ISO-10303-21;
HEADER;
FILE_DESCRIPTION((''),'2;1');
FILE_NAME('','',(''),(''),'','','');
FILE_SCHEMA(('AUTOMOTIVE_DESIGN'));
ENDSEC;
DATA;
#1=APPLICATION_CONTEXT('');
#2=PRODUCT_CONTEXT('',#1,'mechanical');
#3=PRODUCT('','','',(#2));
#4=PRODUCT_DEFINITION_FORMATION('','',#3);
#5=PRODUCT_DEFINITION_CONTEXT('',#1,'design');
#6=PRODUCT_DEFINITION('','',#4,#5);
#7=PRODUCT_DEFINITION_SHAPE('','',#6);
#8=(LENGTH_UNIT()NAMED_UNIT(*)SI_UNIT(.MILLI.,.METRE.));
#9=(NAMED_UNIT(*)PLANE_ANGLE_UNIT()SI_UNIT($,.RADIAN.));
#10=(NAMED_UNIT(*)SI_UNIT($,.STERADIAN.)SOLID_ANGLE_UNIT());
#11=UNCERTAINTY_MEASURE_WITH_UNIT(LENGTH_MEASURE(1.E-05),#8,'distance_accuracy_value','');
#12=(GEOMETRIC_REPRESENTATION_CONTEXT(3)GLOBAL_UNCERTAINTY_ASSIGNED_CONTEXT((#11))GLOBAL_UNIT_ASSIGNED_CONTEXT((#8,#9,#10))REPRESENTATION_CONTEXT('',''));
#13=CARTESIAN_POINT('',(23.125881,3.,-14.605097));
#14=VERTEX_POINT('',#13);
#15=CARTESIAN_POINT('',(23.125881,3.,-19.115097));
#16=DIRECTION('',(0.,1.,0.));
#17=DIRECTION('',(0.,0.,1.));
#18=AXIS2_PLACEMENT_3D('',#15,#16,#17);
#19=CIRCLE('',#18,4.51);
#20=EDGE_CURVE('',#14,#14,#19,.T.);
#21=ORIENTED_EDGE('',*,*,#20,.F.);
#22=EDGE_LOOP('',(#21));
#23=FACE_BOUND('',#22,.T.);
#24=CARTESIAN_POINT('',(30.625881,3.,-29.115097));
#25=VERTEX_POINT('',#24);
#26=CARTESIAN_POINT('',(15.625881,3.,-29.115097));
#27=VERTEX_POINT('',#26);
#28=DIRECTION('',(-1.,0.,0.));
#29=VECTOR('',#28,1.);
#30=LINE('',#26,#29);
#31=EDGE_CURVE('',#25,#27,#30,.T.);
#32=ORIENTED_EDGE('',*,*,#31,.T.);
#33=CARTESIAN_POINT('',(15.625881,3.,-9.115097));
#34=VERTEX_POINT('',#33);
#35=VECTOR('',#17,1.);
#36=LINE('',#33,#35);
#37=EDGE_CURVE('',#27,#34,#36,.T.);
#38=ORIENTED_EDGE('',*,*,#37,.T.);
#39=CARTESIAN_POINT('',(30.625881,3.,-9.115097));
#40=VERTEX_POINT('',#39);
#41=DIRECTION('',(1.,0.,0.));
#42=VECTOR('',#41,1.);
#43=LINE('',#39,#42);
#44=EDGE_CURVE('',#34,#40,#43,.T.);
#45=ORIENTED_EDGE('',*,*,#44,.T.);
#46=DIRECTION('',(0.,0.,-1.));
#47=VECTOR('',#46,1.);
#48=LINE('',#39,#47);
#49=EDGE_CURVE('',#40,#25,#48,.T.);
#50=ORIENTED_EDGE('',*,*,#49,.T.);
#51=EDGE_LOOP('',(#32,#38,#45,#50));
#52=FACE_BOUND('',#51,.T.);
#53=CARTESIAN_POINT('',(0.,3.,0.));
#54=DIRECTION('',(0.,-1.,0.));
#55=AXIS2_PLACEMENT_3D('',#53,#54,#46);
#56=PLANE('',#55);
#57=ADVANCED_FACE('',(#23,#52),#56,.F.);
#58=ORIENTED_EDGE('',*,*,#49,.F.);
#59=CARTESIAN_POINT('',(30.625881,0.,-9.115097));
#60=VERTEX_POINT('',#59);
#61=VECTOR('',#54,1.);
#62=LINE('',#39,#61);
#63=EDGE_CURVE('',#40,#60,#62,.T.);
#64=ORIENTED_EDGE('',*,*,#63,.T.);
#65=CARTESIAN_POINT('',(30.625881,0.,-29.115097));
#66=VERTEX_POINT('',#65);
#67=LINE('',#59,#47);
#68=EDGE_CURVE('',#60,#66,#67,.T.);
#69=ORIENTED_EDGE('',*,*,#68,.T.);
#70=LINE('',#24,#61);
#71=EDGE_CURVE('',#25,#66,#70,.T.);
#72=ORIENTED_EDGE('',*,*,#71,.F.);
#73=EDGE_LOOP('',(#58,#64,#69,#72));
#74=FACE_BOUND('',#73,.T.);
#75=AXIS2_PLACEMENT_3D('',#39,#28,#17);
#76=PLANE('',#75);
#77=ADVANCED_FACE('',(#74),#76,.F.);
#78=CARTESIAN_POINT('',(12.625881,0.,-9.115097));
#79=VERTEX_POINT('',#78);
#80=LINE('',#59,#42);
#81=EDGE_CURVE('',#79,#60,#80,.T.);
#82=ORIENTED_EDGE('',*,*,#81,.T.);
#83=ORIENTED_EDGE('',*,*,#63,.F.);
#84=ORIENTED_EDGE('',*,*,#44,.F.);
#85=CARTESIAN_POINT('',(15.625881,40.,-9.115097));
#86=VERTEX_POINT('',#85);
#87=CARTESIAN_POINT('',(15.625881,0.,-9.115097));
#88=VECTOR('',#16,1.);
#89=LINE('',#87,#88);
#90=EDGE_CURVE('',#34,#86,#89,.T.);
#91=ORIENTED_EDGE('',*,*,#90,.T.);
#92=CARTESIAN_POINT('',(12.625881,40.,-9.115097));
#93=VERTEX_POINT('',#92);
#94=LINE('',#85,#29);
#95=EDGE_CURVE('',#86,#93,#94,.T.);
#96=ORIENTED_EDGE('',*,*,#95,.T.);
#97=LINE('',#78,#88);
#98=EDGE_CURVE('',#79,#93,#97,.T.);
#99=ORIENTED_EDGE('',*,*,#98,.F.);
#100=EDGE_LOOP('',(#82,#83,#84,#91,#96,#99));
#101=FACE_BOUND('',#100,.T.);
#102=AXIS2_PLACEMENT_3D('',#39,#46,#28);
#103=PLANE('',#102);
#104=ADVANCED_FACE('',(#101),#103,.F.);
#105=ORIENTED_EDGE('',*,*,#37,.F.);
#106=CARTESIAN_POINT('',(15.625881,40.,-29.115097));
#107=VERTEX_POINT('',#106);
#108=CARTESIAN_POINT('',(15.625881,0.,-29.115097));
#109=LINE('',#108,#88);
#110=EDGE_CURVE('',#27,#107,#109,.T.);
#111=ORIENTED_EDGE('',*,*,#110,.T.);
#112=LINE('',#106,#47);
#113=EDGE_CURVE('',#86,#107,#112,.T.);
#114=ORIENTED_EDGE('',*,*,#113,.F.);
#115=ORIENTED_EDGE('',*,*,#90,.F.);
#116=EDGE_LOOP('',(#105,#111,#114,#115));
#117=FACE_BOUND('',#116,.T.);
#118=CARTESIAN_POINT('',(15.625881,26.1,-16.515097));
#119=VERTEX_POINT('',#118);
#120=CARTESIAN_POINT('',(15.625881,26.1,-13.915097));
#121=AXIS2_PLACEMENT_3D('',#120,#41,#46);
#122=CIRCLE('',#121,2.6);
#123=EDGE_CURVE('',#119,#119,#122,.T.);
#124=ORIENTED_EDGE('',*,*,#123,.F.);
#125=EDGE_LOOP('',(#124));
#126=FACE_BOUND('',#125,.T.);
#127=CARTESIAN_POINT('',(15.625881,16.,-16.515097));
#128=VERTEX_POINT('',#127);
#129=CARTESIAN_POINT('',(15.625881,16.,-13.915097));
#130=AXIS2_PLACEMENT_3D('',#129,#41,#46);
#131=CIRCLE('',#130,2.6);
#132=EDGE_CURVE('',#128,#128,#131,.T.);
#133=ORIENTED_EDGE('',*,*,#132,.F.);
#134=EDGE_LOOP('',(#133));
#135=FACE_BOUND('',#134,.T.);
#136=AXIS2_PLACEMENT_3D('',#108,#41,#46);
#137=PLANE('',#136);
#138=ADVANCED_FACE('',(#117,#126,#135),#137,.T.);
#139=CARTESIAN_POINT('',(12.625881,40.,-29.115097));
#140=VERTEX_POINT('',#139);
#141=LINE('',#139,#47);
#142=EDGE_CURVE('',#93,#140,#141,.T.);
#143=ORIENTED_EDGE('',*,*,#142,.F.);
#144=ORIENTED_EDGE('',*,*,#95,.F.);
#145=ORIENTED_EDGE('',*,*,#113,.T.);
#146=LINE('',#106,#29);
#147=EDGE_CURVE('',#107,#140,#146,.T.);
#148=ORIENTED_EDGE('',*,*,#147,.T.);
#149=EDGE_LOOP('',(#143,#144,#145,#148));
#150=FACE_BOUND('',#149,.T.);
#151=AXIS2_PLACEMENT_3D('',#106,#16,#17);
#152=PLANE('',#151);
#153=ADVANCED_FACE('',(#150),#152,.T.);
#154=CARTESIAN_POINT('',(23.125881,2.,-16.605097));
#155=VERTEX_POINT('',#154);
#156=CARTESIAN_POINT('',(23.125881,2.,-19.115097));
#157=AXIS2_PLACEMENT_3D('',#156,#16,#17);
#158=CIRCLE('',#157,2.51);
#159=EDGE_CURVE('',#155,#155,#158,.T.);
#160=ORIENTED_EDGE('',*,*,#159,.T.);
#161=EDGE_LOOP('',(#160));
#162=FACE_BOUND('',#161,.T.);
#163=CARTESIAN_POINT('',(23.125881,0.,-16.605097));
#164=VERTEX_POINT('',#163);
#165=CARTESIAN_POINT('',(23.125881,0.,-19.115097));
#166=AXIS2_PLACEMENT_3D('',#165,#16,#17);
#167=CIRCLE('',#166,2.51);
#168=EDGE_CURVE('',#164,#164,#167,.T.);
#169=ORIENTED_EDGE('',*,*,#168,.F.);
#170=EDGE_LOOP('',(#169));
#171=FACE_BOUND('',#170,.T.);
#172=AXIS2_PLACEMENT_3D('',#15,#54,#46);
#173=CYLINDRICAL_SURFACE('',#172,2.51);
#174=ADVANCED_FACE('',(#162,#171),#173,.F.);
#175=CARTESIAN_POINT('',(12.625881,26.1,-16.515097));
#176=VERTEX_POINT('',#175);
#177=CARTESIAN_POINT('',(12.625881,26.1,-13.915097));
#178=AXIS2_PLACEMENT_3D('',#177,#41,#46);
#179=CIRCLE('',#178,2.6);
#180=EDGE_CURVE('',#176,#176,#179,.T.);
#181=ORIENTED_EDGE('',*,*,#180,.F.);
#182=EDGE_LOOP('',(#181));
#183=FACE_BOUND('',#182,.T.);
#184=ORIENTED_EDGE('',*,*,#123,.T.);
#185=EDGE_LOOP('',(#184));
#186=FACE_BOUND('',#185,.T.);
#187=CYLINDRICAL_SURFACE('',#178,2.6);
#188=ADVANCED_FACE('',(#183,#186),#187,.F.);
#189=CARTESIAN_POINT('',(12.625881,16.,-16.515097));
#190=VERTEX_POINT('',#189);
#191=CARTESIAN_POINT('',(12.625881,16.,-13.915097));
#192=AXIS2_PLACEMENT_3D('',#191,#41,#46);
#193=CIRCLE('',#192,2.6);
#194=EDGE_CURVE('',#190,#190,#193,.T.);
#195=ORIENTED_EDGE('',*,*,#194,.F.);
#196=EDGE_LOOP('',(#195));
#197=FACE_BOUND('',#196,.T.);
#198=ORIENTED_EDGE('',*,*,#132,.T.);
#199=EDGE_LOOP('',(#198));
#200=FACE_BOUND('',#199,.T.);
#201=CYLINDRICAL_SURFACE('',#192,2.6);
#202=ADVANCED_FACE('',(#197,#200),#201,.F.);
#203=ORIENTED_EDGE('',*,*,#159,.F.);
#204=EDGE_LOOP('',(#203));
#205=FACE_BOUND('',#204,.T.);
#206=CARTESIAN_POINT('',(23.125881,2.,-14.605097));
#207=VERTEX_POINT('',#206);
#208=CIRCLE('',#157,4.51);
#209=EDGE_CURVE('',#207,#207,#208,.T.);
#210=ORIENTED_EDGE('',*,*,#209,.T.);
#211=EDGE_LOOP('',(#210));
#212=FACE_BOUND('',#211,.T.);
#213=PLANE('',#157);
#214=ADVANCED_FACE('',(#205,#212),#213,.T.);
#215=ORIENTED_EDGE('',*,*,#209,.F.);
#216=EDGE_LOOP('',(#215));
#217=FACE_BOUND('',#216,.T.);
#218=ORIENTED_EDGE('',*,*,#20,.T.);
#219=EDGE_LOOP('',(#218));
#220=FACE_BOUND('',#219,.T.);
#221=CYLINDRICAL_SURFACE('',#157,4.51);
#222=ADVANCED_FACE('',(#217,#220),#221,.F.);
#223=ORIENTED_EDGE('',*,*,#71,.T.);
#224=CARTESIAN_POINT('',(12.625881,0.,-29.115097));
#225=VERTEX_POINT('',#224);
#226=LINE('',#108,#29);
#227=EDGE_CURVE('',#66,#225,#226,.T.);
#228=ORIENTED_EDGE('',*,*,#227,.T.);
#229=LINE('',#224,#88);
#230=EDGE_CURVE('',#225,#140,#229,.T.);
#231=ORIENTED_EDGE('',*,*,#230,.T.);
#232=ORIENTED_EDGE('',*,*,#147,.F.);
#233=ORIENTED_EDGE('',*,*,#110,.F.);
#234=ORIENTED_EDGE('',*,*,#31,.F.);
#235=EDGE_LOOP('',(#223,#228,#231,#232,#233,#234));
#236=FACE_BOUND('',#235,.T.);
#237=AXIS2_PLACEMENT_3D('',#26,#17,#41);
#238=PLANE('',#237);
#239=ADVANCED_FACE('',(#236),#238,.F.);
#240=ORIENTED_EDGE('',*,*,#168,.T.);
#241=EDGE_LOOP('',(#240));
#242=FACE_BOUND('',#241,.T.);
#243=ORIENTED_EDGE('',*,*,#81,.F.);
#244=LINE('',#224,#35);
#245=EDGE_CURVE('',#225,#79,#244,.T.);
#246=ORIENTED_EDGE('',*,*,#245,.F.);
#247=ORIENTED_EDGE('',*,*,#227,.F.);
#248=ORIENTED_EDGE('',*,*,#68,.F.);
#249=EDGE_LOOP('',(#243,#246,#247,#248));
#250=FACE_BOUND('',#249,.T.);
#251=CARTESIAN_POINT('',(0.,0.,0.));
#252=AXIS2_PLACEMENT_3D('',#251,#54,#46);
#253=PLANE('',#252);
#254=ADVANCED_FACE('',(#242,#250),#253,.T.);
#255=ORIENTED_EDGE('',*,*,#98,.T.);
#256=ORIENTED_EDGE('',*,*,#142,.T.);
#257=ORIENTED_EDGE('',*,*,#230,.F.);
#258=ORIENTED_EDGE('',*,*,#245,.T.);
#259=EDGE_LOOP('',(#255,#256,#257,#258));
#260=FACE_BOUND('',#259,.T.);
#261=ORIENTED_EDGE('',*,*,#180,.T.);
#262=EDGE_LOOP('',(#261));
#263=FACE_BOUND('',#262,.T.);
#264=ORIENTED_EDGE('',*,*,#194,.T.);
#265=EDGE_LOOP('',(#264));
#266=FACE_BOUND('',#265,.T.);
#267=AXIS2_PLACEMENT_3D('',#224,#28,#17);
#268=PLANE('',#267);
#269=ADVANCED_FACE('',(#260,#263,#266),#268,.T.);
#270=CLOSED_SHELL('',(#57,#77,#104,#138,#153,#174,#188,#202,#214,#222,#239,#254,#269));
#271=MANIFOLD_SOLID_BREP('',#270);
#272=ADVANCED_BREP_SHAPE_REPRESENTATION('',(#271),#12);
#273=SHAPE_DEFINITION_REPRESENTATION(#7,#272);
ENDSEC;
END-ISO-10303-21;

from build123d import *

# Parameters (mm, degrees)
SKETCH1_W                = 15
SKETCH1_H                = 20
SKETCH1_R                = 2.51
BOSS_EXTRUDE1_DEPTH      = 3
SKETCH2_R                = 4.51
CUT_EXTRUDE1_DEPTH       = 1
BOSS_EXTRUDE2_DEPTH      = 22
BOSS_EXTRUDE2_DEPTH_BACK = 3
SKETCH3_W                = 3
SKETCH3_H                = 20
SKETCH4_R                = 2.6
CUT_EXTRUDE2_DEPTH       = 22
BOSS_EXTRUDE3_START      = -3
SKETCH5_R                = 2.6
BOSS_EXTRUDE3_DEPTH      = 3
CUT_EXTRUDE3_DEPTH       = 5
SKETCH7_W                = 20
SKETCH7_H                = 20
BOSS_EXTRUDE4_DEPTH      = 3
SKETCH8_R                = 2.6
CUT_EXTRUDE6_DEPTH       = 3


with BuildPart() as part:
    # Sketch1 → Boss-Extrude1 (new body)
    with BuildSketch(Plane(origin=(0, 0, 0), x_dir=(1, 0, 0), z_dir=(0, 1, 0))):
        with Locations((23.125880705, 19.115097078)):
            Rectangle(SKETCH1_W, SKETCH1_H)
        with Locations((23.125880705, 19.115097078)):
            Circle(SKETCH1_R, mode=Mode.SUBTRACT)
    extrude(amount=BOSS_EXTRUDE1_DEPTH)

    # Sketch2 → Cut-Extrude1 (cut)
    with BuildSketch(Plane(origin=(0, 3, 0), x_dir=(1, 0, 0), z_dir=(0, 1, 0))):
        with Locations((23.125880705, 19.115097078)):
            Circle(SKETCH2_R)
    extrude(amount=-CUT_EXTRUDE1_DEPTH, mode=Mode.SUBTRACT)

    # Sketch3 → Boss-Extrude2 (add, two sides: drawn at the far end of the back side and taken through both)
    with BuildSketch(Plane(origin=(0, 3, 0), x_dir=(1, 0, 0), z_dir=(0, 1, 0)).offset(-BOSS_EXTRUDE2_DEPTH_BACK)):
        with Locations((14.125880705, 19.115097078)):
            Rectangle(SKETCH3_W, SKETCH3_H)
    extrude(amount=BOSS_EXTRUDE2_DEPTH + BOSS_EXTRUDE2_DEPTH_BACK)

    # Sketch4 → Cut-Extrude2 (cut)
    with BuildSketch(Plane.ZY.offset(-12.625880705)):
        with Locations((-23.115097078, 19)):
            Circle(SKETCH4_R)
        with Locations((-23.115097078, 6)):
            Circle(SKETCH4_R)
    extrude(amount=-CUT_EXTRUDE2_DEPTH, mode=Mode.SUBTRACT)

    # Sketch5 → Boss-Extrude3 (add)
    with BuildSketch(Plane(origin=(15.625880705, 0, 0), x_dir=(0, 0, -1), z_dir=(1, 0, 0)).offset(BOSS_EXTRUDE3_START)):
        with Locations((23.115097078, 19)):
            Circle(SKETCH5_R)
        with Locations((23.115097078, 6)):
            Circle(SKETCH5_R)
    extrude(amount=BOSS_EXTRUDE3_DEPTH)

    # Sketch6 → Cut-Extrude3 (cut)
    with BuildSketch(Plane(origin=(12.625880705, 25, -29.115097078), x_dir=(1, 0, 0), z_dir=(0, 1, 0))):
        Polygon((0, -14.855128206), (0, -20), (3, -20), (3, -14.855128206), (3, 0), (0, 0), align=None)
    extrude(amount=-CUT_EXTRUDE3_DEPTH, mode=Mode.SUBTRACT)

    # Sketch7 → Boss-Extrude4 (add)
    with BuildSketch(Plane.ZY.offset(-12.625880705)):
        with Locations((-19.115097078, 30)):
            Rectangle(SKETCH7_W, SKETCH7_H)
    extrude(amount=-BOSS_EXTRUDE4_DEPTH)

    # Sketch8 → Cut-Extrude6 (cut)
    with BuildSketch(Plane(origin=(15.625880705, 0, 0), x_dir=(0, 0, -1), z_dir=(1, 0, 0))):
        with Locations((13.915097078, 16)):
            Circle(SKETCH8_R)
        with Locations((13.915097078, 26.1)):
            Circle(SKETCH8_R)
    extrude(amount=-CUT_EXTRUDE6_DEPTH, mode=Mode.SUBTRACT)


solid = part.part
